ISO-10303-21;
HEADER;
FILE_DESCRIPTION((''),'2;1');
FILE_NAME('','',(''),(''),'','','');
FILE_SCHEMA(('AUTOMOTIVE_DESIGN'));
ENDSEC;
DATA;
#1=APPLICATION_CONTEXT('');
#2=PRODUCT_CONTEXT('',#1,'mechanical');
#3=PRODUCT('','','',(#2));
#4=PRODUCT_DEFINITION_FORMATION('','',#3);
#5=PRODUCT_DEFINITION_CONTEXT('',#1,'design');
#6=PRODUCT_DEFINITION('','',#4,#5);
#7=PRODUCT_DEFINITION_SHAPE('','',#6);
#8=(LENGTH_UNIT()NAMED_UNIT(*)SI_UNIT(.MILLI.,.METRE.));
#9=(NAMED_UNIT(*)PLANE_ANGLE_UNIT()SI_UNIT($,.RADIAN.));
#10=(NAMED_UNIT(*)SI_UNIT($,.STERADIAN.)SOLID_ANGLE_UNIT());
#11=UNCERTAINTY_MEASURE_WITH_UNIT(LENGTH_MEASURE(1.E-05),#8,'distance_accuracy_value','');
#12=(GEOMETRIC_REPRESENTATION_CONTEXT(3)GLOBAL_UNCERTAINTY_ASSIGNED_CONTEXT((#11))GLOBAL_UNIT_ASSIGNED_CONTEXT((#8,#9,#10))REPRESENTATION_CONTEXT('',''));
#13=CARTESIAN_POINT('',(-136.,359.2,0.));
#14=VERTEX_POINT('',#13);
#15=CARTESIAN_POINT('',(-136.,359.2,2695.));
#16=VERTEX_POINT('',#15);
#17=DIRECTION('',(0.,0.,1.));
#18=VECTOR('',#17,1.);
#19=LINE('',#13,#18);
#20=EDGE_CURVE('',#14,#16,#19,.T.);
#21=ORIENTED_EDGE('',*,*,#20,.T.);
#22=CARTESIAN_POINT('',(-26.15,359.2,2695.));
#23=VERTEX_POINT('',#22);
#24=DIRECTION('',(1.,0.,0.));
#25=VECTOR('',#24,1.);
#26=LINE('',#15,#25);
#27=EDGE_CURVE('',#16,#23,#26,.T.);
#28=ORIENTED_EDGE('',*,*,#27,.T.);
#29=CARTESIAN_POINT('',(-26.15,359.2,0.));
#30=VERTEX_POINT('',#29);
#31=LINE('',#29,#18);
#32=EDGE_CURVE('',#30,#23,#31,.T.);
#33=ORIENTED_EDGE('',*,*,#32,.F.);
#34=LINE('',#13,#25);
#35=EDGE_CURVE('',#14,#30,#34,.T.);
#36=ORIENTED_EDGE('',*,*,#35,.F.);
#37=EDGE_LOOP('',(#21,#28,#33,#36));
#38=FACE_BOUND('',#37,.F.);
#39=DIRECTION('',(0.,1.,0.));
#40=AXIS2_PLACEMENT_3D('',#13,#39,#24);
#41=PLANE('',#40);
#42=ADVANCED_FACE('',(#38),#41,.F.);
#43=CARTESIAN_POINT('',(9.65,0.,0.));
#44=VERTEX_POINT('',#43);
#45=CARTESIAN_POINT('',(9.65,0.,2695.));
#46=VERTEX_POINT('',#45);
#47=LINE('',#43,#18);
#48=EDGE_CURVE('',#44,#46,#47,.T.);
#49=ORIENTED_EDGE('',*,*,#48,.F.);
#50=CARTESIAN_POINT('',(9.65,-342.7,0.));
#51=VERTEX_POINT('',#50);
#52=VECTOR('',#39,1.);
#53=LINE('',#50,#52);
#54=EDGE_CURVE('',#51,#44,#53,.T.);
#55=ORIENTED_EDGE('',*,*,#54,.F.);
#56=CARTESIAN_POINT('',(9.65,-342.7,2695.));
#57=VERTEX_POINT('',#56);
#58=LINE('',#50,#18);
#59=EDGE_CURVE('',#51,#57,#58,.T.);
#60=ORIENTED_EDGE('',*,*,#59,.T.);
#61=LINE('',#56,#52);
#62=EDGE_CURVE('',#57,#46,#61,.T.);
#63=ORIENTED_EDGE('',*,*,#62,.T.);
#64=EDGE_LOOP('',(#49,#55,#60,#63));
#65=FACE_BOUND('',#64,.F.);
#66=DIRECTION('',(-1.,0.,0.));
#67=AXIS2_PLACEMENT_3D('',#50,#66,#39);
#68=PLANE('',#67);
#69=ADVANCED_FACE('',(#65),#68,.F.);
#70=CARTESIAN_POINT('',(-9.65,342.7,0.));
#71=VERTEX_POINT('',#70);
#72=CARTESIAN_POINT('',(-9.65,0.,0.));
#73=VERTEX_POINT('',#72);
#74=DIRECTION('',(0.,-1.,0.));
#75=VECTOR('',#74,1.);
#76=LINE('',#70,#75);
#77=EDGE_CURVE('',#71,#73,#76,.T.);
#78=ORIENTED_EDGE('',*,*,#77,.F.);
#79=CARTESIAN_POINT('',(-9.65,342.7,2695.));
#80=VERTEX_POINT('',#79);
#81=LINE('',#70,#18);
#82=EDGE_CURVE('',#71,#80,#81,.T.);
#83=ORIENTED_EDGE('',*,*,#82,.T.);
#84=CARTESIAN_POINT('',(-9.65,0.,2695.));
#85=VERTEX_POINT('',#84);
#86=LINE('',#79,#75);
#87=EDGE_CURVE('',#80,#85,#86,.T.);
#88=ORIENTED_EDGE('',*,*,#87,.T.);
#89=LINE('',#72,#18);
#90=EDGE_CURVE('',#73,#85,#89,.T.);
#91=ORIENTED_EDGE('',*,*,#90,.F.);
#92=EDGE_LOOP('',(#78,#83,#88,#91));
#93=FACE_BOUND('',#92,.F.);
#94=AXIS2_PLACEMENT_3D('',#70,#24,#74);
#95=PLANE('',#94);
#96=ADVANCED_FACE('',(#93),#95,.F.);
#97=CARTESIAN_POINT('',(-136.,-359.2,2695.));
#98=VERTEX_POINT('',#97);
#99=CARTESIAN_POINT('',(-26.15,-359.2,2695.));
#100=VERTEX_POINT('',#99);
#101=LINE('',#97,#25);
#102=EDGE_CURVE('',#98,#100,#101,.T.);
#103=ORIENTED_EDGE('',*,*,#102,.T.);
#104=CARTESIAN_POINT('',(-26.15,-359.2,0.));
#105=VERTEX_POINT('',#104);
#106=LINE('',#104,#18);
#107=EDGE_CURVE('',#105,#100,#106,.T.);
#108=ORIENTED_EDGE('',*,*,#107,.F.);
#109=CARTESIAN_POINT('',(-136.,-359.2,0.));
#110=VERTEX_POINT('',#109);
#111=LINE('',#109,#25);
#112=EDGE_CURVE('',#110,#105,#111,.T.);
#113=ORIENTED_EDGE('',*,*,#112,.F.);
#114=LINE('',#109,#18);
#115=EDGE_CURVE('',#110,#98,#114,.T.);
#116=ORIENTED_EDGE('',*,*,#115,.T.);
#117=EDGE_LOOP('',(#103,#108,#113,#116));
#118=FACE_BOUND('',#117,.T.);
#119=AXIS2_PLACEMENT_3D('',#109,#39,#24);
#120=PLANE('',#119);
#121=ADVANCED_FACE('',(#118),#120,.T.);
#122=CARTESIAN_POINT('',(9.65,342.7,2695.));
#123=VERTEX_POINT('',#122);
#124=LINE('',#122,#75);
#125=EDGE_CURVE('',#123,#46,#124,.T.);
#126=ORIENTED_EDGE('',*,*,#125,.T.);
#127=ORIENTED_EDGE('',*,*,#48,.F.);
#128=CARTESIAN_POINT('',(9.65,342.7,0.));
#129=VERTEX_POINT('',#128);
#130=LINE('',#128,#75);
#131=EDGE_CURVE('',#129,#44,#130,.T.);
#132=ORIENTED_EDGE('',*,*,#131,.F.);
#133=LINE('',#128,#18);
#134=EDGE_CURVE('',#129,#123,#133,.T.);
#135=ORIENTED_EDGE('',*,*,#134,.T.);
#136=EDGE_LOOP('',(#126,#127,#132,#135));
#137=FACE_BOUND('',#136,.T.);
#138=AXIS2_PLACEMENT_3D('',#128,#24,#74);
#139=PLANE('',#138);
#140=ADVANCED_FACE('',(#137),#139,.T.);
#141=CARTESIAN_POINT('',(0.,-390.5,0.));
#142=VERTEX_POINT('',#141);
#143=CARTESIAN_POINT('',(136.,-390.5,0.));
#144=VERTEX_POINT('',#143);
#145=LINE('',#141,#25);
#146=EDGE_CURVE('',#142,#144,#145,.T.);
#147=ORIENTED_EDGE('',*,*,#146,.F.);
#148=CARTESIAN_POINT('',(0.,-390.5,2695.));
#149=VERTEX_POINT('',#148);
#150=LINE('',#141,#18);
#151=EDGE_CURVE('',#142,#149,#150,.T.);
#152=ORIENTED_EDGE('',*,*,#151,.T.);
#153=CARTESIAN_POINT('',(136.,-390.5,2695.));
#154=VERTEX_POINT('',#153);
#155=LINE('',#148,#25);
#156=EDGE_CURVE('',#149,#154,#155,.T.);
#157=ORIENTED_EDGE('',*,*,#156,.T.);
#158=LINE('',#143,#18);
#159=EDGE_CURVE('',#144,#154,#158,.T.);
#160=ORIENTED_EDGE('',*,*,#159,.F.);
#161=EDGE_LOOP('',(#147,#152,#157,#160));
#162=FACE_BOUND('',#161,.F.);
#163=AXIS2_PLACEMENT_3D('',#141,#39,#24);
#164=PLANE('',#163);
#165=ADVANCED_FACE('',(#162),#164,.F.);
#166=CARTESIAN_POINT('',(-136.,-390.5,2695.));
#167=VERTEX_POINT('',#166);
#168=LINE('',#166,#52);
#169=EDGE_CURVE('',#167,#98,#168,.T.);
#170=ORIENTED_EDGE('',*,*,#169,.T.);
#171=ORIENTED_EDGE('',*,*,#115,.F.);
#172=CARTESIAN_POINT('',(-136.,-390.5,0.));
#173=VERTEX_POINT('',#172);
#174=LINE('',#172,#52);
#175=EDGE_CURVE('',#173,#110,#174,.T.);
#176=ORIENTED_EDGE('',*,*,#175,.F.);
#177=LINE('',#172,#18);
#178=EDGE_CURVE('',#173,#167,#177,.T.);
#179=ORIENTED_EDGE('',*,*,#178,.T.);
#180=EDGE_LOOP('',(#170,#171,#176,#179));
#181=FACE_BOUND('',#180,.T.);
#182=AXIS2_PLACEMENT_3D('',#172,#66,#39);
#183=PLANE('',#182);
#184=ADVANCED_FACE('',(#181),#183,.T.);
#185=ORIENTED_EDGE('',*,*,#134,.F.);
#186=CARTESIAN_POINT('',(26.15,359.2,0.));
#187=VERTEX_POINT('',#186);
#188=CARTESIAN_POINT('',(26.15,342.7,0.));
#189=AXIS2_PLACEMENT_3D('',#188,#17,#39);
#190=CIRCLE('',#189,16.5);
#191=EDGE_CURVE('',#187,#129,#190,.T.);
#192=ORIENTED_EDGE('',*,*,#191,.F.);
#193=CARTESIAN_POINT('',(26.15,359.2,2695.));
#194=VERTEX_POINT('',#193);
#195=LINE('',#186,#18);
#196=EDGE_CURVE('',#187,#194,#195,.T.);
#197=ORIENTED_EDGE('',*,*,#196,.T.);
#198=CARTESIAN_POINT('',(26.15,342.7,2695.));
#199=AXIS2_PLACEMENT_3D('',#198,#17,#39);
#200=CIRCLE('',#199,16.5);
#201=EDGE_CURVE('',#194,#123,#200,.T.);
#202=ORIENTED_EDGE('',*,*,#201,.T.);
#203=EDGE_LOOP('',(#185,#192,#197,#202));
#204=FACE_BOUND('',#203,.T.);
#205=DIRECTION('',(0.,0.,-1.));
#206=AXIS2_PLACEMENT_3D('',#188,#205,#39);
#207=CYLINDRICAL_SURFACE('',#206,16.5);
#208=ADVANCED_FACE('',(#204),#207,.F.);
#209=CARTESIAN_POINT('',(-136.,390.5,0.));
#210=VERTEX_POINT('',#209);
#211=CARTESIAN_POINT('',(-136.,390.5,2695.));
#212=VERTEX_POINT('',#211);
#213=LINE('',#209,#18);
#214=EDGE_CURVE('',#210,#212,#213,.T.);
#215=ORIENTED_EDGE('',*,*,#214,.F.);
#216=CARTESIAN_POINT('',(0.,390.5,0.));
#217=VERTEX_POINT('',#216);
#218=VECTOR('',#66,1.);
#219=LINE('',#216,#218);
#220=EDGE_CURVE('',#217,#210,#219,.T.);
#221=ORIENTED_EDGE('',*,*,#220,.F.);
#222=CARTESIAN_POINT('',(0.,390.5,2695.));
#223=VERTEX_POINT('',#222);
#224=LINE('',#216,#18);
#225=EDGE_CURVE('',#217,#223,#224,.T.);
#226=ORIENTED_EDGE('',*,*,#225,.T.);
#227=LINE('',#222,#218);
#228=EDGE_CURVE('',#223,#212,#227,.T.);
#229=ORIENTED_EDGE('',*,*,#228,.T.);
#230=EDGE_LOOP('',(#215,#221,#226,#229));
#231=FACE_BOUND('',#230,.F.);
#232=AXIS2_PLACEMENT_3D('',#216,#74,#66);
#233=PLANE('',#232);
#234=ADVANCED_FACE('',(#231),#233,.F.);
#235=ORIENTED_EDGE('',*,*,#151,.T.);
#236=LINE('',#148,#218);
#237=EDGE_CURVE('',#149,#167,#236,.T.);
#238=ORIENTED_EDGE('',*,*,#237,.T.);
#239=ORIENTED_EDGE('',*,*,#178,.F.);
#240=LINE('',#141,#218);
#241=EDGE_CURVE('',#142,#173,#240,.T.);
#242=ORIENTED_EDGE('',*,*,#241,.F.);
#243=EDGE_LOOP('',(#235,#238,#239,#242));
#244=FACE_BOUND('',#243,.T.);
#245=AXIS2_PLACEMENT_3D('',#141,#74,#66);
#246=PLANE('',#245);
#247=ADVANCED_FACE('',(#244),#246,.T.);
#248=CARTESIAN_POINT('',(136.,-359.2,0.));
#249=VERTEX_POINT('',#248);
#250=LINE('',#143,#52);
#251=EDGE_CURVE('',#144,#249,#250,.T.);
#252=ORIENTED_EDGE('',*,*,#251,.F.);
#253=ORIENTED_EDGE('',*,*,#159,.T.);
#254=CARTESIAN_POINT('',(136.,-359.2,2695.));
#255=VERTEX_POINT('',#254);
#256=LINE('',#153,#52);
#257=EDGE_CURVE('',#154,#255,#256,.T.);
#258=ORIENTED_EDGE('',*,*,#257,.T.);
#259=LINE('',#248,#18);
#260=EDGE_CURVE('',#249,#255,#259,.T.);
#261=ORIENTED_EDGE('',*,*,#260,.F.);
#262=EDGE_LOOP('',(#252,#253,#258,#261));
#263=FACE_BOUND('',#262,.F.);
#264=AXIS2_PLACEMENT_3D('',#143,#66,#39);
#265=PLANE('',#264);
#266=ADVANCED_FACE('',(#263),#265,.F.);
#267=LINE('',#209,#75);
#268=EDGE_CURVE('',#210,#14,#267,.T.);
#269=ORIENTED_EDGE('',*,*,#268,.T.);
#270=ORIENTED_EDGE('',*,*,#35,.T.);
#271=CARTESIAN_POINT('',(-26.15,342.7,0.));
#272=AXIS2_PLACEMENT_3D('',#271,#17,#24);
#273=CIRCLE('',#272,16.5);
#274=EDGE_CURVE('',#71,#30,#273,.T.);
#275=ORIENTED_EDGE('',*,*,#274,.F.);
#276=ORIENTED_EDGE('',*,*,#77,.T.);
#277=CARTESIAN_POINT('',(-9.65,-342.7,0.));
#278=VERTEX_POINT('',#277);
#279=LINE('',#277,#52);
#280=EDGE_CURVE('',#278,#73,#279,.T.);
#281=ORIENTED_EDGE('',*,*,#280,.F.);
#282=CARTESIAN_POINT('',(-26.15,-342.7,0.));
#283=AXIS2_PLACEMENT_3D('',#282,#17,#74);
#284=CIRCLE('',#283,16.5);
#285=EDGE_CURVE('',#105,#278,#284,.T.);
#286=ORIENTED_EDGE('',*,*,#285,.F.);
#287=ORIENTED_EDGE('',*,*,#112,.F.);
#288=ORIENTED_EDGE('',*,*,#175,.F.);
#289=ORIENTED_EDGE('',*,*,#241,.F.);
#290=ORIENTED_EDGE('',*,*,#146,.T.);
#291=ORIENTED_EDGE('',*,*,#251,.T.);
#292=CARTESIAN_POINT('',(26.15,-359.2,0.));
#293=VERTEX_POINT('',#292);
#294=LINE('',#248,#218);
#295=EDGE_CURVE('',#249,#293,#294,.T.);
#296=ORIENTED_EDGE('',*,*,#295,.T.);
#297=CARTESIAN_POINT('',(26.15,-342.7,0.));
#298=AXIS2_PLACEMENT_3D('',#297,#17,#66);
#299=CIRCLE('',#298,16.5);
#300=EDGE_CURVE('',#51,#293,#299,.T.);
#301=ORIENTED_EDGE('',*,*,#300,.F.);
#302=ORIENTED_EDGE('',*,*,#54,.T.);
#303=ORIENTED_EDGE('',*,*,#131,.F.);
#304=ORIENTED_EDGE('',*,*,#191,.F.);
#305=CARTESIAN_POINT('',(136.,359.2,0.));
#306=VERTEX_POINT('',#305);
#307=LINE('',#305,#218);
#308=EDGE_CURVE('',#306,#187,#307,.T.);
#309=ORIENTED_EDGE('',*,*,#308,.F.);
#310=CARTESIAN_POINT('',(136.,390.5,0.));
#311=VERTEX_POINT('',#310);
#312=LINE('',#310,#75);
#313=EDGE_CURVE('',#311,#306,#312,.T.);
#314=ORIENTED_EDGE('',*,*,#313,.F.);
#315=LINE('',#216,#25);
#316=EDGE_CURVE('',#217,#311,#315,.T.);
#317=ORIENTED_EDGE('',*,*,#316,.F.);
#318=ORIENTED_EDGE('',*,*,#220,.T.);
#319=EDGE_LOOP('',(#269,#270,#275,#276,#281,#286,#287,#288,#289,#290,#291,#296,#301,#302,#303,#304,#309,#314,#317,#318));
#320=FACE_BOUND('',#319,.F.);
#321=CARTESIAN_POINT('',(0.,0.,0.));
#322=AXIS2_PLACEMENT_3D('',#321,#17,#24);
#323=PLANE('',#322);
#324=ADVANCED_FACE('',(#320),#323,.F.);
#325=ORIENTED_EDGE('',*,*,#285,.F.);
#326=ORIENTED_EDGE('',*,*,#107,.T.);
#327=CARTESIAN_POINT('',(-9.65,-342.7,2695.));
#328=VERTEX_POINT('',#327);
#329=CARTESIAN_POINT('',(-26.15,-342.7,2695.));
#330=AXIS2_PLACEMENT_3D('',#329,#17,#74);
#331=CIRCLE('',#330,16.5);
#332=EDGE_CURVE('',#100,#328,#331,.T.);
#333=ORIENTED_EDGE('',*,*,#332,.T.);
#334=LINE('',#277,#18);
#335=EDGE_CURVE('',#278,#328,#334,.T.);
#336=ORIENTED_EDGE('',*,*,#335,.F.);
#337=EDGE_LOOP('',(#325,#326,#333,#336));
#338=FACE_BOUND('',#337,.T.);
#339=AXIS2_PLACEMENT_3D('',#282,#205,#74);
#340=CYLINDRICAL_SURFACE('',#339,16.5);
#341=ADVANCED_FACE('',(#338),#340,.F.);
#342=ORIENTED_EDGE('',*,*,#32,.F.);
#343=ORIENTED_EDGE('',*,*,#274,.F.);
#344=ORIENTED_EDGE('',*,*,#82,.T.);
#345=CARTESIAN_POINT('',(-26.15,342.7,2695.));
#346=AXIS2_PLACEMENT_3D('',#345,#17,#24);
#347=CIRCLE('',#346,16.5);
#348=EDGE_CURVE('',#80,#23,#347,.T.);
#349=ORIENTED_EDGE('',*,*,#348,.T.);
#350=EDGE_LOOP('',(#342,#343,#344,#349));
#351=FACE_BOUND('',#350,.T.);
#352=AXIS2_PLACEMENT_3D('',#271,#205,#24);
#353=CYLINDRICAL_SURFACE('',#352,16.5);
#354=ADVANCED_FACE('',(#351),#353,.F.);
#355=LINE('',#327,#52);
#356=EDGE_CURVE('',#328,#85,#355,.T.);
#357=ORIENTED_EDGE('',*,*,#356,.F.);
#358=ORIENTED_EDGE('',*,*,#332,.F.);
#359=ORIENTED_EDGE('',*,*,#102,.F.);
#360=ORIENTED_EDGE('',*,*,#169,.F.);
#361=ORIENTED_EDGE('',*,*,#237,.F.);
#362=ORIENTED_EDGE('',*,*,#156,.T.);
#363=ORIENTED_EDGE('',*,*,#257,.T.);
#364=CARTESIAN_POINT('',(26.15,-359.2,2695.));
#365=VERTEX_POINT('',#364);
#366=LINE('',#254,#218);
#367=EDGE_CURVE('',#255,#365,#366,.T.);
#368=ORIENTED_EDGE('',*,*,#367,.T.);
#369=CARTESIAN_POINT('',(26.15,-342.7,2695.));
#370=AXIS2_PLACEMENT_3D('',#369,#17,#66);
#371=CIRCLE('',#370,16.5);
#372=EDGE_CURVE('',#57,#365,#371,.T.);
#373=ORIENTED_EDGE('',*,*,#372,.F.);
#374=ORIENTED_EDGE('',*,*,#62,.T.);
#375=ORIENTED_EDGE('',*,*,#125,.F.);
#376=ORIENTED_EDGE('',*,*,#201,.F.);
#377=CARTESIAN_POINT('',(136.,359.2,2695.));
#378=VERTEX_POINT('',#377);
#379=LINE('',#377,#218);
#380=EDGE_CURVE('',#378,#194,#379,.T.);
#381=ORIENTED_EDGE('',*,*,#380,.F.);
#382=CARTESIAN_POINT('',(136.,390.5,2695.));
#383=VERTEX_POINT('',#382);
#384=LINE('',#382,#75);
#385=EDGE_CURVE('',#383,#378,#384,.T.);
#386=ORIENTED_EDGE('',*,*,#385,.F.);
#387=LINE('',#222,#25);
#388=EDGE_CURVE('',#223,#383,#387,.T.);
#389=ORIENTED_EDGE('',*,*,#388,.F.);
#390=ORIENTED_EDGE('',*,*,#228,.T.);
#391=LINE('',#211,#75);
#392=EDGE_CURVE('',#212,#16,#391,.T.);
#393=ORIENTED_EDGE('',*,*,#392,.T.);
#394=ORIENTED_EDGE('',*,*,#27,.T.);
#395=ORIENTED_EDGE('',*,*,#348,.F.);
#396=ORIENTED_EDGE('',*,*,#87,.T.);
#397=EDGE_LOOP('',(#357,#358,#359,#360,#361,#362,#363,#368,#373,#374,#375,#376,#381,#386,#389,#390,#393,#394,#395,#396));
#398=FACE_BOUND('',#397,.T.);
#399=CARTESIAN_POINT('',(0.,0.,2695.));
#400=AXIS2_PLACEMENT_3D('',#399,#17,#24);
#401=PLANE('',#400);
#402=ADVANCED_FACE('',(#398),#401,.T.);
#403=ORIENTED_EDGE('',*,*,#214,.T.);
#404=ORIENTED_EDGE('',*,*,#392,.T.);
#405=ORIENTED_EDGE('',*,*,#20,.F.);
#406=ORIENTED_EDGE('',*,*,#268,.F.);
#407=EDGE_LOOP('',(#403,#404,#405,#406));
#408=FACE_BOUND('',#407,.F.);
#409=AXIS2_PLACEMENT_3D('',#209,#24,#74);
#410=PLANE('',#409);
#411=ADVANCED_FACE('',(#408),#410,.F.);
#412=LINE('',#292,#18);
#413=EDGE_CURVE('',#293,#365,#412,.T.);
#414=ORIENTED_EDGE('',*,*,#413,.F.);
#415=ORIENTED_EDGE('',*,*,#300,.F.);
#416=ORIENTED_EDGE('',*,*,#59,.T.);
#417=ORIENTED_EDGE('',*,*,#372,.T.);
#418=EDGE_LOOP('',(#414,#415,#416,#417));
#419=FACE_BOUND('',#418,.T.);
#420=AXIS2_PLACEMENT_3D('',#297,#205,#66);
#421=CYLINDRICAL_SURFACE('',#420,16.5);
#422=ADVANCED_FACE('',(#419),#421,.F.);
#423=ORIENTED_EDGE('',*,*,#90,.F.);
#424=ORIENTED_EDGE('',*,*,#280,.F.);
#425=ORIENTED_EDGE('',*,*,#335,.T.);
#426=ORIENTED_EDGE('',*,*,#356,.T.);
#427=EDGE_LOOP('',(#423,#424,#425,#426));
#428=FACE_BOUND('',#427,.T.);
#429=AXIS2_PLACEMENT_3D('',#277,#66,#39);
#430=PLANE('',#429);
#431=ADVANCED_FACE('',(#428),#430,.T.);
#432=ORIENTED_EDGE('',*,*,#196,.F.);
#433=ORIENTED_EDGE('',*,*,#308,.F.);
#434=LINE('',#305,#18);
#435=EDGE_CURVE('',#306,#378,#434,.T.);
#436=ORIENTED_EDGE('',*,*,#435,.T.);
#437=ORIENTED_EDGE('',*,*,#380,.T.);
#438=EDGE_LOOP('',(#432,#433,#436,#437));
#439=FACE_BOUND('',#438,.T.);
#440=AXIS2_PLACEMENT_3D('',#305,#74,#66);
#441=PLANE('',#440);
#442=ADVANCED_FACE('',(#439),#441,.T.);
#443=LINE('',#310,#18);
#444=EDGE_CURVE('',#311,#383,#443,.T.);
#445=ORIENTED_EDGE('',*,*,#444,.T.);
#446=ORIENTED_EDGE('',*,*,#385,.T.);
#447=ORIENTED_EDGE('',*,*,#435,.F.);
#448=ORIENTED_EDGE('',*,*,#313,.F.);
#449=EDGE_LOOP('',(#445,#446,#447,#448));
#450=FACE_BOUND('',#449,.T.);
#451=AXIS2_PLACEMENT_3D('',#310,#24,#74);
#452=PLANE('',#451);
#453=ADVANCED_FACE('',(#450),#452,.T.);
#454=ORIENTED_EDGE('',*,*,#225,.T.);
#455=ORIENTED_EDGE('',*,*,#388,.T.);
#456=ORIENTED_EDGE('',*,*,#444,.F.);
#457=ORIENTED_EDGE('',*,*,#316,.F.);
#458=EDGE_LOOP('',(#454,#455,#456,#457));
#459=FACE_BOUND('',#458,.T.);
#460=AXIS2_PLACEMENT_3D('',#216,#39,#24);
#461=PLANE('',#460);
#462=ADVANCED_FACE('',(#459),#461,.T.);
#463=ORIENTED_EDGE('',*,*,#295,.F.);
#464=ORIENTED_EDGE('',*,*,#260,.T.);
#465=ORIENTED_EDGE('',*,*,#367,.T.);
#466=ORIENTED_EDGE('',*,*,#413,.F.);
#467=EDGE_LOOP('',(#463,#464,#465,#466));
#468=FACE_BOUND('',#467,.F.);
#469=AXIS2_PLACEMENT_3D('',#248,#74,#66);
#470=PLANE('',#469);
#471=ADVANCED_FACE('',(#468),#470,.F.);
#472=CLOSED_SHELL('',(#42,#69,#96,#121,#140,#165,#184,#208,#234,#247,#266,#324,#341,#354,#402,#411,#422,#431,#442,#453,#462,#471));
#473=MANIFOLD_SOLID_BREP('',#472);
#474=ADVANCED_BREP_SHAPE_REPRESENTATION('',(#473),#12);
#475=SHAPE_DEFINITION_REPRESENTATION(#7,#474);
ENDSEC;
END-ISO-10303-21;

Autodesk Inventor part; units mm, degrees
ref_plane "YZ Plane" through (0, 0, 0) normal (1, 0, 0) x (0, 1, 0)
ref_plane "Start plane" through (0, 0, 0) normal (0, 0, 1) x (1, 0, 0)
ref_plane "End plane" through (0, 0, 2695) normal (0, 0, 1) x (1, 0, 0)
sketch "Sketch" plane through (0, 0, 0) normal (0, 0, 1) x (1, 0, 0)
  line L0 (-136, -390.5) -> (-136, -359.2)
  line L1 (-136, -359.2) -> (-26.15, -359.2)
  line L2 (-9.65, -342.7) -> (-9.65, 0)
  line L3 (-9.65, 0) -> (0, 0) construction
  line L4 (0, 0) -> (0, -390.5) construction
  line L5 (0, -390.5) -> (-136, -390.5)
  line L6 (-60, 0) -> (80, 0) construction
  line L7 (0, -60) -> (0, 80) construction
  line L8 (136, -390.5) -> (136, -359.2)
  line L9 (136, -359.2) -> (26.15, -359.2)
  line L10 (9.65, -342.7) -> (9.65, 0)
  line L11 (9.65, 0) -> (0, 0) construction
  line L12 (0, -390.5) -> (136, -390.5)
  line L13 (-136, 390.5) -> (-136, 359.2)
  line L14 (-136, 359.2) -> (-26.15, 359.2)
  line L15 (-9.65, 342.7) -> (-9.65, 0)
  line L16 (0, 390.5) -> (-136, 390.5)
  line L17 (136, 390.5) -> (136, 359.2)
  line L18 (136, 359.2) -> (26.15, 359.2)
  line L19 (0, 390.5) -> (136, 390.5)
  line L20 (9.65, 342.7) -> (9.65, 0)
  arc A0 (-9.65, 342.7) -> (-26.15, 359.2) centre (-26.15, 342.7) ccw
  arc A1 (26.15, 359.2) -> (9.65, 342.7) centre (26.15, 342.7) ccw
  arc A2 (9.65, -342.7) -> (26.15, -359.2) centre (26.15, -342.7) ccw
  arc A3 (-26.15, -359.2) -> (-9.65, -342.7) centre (-26.15, -342.7) ccw
  line L21 (0, 108) -> (0, -88) construction
  line L22 (-88, 0) -> (108, 0) construction
  point P0 (-9.65, -359.2)
  point P1 (9.65, -359.2)
  point P2 (-9.65, 359.2)
  point P3 (9.65, 359.2)
  dimension "d1" = 390.5
  dimension "d2" = 31.3
  dimension "d3" = 136
  dimension "d4" = 9.65
  dimension "d10" = 16.5
extrude "Body" add sketch "Sketch" along normal up to surface (2695 mm away) from surface at 0
sketch "Sketch4" plane through (0, 0, 0) normal (0, 0, 1) x (1, 0, 0)
  line L0 (0, 0) -> (10, 0)
ref_plane "Work Plane3" through (0, 0, 0) normal (0, -1, 0) x (1, 0, 0)
sketch "Sketch5" plane through (0, 0, 0) normal (0, -1, 0) x (1, 0, 0)
  line L0 (-2, 0) -> (12, 0) projected
  line L1 (-2, 2695) -> (12, 2695) projected
  dimension "d14" = 2695
equation "\"d1\" = 0.5 * G_H"
equation "\"d2\" = G_T1"
equation "\"d3\" = 0.5 * G_W"
equation "\"d4\" = 0.5 * G_T"
equation "\"d10\" = G_IR"
equation "\"d5\" = G_L"
equation "\"G_W\" = 272"
equation "\"G_H\" = 781"
equation "\"G_T\" = 19.3"
equation "\"G_T1\" = 31.3"
equation "\"G_IR\" = 16.5"
equation "\"G_L\" = d14"
equation "\"G_OFFSET_START\" = 0"
equation "\"G_OFFSET_END\" = 0"
equation "\"d12\" = G_OFFSET_END + B_L"
equation "\"B_L\" = 2695"
properties part number "AS 3679-1990 - 760 UB - 244 - 2695" material "Steel, Mild"
